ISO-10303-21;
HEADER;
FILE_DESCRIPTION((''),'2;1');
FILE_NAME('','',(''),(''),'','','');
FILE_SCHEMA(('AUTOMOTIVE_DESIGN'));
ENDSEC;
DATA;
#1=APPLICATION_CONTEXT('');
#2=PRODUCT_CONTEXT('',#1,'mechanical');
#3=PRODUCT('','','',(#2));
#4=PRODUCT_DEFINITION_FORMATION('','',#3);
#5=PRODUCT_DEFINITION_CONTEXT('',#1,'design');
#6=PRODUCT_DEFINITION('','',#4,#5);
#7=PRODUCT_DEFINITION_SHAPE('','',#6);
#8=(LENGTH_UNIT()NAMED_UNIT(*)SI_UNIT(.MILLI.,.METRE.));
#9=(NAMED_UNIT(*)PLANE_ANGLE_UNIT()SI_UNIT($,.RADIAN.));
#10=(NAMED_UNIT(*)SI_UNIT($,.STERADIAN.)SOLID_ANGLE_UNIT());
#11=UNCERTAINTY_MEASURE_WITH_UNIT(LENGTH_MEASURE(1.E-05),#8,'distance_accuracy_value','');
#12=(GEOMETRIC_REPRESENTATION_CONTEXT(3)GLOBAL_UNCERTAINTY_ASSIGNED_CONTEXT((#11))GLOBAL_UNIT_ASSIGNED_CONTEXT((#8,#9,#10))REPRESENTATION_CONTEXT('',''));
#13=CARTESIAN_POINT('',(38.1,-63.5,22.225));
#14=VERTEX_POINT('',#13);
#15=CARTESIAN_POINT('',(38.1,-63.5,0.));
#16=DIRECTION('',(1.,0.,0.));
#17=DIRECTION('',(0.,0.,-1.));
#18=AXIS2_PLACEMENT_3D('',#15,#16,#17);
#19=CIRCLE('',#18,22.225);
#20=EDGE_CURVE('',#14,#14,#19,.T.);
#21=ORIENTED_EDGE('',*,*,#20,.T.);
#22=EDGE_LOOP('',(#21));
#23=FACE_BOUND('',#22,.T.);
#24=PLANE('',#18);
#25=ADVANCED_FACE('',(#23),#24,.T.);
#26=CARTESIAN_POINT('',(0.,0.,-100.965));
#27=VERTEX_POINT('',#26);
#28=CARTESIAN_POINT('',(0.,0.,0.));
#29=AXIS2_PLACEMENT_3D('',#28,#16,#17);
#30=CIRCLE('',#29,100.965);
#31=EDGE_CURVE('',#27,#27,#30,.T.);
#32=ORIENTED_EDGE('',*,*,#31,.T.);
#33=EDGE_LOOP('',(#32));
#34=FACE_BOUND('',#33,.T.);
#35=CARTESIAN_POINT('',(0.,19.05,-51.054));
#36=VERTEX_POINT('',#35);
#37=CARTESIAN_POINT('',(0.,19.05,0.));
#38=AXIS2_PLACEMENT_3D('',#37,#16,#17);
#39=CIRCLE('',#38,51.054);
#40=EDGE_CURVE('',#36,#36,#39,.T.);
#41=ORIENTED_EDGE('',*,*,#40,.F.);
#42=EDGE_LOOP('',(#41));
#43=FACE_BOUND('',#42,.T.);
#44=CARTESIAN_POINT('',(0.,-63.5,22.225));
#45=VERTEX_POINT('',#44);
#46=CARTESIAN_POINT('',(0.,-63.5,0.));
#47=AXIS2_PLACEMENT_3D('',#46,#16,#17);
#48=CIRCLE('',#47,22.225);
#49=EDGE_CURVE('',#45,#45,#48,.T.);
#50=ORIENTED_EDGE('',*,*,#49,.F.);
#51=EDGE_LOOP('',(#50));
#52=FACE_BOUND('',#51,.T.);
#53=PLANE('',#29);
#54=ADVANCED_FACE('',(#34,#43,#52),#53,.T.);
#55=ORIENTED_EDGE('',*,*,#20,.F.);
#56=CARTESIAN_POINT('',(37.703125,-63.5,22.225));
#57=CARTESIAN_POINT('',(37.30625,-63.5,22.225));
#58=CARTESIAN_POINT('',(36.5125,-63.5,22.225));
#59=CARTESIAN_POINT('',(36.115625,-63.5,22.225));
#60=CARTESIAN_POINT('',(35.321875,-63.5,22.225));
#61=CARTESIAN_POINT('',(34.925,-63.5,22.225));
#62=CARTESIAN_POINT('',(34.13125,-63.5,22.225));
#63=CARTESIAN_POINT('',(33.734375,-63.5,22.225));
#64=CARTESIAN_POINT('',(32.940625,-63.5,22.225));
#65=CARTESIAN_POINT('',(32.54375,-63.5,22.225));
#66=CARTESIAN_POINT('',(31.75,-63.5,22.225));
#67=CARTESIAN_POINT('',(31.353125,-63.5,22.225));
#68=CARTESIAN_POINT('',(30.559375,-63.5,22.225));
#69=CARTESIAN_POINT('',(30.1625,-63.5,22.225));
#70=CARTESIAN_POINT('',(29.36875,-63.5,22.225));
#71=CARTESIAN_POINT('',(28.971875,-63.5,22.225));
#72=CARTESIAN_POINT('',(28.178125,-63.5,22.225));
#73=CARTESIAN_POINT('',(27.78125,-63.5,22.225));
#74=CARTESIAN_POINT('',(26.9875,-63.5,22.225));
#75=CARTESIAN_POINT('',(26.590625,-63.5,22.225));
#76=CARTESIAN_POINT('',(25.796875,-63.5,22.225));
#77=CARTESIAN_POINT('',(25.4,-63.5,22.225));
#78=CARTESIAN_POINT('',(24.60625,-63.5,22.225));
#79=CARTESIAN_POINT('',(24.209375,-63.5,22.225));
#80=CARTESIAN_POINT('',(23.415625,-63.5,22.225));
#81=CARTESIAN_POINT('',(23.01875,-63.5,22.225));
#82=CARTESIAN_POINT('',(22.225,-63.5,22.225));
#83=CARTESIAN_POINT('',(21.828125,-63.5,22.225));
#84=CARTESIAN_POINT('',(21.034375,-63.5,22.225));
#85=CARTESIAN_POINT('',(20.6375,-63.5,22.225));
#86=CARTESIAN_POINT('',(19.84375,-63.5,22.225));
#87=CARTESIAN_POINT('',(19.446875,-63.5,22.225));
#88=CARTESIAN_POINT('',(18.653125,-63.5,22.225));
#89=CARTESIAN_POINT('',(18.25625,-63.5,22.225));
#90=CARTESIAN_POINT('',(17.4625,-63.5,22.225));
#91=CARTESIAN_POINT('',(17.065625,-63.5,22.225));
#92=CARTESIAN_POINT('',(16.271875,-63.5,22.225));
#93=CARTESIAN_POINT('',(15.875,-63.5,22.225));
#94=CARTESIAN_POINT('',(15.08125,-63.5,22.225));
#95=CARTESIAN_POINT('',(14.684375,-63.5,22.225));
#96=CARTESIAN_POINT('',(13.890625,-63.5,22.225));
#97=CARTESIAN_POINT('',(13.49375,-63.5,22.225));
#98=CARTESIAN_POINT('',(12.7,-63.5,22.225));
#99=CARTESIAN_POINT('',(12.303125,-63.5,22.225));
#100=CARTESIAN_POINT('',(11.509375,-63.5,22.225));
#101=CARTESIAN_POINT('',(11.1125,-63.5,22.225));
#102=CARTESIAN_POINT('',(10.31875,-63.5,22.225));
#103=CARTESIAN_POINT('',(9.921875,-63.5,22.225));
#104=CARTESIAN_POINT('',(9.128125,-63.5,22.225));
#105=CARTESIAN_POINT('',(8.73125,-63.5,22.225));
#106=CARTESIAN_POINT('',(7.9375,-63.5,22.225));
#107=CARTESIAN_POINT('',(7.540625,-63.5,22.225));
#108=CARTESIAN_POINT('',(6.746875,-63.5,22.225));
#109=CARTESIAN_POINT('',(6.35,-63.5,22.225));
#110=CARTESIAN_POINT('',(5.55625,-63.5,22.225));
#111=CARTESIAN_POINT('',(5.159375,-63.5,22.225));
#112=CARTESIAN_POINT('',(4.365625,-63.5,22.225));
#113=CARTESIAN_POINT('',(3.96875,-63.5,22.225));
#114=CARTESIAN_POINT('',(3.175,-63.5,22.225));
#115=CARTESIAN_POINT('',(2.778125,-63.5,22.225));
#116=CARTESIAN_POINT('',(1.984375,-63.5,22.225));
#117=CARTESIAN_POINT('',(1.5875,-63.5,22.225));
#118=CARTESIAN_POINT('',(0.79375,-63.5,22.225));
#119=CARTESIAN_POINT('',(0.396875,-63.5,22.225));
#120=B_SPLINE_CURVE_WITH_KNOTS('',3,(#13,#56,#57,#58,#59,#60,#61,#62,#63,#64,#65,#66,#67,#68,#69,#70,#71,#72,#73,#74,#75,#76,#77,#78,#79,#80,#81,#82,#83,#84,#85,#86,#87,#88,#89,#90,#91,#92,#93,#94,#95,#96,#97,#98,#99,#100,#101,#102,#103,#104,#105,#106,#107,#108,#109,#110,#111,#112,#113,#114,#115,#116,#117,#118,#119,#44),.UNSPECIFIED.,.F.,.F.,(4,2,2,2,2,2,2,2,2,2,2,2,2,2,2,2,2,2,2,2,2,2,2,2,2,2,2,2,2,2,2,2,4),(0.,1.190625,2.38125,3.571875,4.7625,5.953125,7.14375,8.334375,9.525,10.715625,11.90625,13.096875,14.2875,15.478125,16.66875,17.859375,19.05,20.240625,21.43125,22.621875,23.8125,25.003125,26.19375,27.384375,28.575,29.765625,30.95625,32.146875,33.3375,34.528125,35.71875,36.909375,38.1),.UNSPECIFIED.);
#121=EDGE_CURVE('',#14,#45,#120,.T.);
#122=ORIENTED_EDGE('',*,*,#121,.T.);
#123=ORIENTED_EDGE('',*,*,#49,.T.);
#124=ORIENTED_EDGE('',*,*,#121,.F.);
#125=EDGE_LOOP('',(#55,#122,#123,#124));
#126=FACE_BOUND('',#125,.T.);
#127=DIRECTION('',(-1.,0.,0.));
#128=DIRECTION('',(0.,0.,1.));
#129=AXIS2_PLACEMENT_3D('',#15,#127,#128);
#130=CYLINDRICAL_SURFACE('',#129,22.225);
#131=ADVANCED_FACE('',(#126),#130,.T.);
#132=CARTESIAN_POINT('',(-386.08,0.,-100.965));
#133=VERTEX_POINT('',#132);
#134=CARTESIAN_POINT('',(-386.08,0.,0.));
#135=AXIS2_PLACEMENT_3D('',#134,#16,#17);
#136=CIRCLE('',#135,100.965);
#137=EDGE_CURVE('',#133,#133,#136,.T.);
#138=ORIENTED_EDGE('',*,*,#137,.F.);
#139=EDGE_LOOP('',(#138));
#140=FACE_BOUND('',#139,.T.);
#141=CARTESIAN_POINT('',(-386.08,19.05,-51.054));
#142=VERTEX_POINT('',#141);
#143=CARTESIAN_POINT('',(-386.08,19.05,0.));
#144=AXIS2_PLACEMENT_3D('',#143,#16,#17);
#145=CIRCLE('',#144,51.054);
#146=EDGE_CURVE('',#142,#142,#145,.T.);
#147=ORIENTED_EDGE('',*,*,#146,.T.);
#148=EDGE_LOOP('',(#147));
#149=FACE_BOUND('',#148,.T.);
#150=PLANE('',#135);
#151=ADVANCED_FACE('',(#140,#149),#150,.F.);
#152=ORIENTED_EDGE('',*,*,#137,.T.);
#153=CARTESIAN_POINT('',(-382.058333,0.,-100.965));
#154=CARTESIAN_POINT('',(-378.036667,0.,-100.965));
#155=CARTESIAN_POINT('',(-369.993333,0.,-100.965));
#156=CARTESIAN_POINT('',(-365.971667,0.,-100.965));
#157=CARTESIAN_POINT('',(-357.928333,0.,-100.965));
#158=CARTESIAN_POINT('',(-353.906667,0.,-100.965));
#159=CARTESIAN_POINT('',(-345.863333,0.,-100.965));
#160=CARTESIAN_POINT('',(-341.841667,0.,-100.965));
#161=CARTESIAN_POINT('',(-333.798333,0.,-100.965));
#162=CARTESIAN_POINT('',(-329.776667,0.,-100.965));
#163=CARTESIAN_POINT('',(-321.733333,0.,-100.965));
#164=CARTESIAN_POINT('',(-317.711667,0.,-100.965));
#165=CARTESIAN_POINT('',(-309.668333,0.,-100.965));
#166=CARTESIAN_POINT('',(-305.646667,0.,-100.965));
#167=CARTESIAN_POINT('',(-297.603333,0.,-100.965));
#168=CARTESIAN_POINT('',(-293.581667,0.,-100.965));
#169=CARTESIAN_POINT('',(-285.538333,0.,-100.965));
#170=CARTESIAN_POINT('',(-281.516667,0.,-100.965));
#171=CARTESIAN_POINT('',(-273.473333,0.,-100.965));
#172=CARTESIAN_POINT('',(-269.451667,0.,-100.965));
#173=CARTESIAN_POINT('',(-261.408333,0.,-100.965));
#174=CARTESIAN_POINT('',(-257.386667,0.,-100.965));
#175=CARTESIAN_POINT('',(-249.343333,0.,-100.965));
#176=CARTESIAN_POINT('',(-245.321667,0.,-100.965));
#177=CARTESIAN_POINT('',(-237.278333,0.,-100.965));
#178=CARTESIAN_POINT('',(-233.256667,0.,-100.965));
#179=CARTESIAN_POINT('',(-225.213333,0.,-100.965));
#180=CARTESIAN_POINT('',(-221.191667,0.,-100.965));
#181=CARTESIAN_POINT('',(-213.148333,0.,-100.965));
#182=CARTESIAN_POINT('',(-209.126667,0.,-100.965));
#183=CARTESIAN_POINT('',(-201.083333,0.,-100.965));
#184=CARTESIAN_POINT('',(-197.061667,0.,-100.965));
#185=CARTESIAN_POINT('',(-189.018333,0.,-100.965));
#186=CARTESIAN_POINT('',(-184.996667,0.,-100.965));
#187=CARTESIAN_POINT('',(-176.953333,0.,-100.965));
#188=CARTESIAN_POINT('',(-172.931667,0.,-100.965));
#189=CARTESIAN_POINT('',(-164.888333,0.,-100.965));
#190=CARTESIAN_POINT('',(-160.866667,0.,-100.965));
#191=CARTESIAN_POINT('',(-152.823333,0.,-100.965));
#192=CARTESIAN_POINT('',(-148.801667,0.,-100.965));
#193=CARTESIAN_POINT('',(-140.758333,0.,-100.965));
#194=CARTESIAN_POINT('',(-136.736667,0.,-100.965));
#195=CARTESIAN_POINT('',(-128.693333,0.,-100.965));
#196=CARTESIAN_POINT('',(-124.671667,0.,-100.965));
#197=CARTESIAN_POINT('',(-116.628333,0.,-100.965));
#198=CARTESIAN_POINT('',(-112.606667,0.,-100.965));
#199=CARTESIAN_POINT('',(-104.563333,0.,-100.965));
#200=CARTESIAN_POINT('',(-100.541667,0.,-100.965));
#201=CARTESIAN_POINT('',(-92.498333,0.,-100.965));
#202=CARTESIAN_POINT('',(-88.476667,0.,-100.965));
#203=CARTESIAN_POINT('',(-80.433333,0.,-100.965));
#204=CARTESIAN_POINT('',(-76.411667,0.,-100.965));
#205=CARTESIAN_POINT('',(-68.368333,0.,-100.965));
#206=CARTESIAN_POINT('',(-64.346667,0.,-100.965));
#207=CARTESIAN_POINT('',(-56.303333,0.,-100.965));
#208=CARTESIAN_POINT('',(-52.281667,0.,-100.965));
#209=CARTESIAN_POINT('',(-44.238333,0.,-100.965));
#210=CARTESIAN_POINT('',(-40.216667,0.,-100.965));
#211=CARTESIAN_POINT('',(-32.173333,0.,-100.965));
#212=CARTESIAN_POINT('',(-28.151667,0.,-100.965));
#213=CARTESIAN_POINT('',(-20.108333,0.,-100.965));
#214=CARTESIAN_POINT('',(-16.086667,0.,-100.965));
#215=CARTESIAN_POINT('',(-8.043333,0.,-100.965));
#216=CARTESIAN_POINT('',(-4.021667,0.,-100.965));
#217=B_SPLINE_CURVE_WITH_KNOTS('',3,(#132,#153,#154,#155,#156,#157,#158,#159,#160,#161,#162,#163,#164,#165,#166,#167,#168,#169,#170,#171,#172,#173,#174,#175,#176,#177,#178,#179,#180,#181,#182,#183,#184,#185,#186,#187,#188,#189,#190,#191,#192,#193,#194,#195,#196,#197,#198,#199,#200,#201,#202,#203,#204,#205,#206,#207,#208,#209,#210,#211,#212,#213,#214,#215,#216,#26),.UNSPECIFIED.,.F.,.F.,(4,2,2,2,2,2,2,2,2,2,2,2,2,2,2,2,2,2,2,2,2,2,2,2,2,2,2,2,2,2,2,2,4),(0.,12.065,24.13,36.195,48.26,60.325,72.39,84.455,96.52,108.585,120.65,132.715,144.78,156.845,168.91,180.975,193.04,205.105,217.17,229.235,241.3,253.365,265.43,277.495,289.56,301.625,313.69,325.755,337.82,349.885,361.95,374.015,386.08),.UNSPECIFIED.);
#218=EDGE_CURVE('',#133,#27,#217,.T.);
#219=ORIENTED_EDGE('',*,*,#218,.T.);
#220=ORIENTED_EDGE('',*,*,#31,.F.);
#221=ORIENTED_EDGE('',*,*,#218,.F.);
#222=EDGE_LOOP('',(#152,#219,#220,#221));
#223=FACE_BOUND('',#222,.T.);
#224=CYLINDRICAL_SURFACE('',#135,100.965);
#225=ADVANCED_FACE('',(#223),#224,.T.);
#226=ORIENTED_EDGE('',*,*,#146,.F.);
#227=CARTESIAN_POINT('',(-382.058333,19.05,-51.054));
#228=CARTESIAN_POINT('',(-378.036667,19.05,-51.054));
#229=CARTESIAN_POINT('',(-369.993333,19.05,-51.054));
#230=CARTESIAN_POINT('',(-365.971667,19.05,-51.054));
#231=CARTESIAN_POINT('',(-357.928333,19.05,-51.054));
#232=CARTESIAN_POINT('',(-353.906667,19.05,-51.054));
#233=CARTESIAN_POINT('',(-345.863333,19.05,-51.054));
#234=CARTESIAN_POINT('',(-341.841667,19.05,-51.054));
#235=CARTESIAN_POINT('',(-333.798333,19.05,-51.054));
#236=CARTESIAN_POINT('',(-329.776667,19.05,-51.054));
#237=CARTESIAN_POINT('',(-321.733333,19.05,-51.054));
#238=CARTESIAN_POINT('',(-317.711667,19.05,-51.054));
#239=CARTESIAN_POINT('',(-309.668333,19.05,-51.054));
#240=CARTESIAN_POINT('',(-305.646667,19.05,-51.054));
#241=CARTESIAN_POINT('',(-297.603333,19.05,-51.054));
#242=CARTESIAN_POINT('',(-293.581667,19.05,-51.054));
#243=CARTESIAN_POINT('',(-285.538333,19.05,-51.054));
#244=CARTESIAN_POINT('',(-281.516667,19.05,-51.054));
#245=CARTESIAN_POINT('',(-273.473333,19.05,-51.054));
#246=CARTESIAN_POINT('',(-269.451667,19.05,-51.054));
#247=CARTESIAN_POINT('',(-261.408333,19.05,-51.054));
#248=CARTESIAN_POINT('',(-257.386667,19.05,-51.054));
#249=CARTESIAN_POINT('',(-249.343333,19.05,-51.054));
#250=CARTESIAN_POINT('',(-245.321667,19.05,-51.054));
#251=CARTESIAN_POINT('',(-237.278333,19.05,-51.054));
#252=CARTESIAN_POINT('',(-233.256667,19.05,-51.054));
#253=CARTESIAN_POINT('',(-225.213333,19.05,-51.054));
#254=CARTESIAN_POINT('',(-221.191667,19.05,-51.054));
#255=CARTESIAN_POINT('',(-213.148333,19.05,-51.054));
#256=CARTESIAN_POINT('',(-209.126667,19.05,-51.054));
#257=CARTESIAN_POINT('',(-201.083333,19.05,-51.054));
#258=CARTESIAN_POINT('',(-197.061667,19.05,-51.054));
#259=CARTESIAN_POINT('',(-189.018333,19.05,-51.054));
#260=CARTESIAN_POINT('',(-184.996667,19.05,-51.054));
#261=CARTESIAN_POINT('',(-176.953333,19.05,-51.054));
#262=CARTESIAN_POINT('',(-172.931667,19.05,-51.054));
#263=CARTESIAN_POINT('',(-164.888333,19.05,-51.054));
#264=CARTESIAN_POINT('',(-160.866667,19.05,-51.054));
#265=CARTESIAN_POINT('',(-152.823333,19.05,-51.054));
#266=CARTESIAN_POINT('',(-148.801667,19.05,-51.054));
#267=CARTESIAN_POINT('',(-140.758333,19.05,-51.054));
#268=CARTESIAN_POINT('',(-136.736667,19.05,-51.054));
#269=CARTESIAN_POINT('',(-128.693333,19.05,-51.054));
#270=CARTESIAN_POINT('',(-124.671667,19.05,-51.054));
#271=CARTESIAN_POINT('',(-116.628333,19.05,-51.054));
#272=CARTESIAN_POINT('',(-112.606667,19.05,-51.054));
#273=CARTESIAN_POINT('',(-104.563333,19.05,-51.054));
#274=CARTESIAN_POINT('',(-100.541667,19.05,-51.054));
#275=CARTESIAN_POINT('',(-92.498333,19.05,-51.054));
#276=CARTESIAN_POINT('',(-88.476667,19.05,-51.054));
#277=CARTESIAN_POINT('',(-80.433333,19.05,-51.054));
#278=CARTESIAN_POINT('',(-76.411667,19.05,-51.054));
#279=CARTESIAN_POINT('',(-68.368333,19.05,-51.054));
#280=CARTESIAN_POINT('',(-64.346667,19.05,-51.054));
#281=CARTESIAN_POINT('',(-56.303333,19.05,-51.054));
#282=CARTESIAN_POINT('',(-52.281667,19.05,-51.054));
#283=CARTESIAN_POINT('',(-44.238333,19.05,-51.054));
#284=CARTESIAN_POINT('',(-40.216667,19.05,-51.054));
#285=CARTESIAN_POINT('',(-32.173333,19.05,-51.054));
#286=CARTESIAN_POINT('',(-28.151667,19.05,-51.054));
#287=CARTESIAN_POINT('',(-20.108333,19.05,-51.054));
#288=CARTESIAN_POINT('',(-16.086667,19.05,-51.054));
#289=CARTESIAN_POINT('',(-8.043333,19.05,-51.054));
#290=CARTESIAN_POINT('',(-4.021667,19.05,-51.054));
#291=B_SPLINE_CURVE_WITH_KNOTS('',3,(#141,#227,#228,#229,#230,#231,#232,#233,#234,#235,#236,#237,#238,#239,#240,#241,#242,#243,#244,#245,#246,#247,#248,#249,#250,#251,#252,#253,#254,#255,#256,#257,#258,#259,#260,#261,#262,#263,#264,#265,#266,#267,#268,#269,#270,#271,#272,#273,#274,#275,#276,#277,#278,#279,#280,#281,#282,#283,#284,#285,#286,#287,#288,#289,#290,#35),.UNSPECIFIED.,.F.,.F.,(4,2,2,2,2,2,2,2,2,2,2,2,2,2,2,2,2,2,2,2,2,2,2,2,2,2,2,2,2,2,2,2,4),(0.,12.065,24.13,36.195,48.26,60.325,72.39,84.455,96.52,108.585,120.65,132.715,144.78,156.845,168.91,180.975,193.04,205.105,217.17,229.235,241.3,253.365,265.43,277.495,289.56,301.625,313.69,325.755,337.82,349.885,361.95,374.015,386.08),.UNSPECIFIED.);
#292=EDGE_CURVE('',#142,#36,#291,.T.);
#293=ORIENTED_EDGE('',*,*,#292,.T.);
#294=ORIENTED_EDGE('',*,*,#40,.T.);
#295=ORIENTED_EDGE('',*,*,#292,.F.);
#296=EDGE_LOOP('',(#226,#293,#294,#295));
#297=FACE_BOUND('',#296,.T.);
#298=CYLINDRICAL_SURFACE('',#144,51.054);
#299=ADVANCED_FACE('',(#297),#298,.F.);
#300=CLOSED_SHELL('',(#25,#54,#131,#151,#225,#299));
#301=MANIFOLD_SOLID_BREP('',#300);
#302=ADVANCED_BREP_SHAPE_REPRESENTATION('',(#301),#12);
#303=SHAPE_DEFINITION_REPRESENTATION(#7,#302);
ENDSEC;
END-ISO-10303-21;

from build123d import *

# Parameters (mm, degrees)
SKETCH1_R           = 100.965
BOSS_EXTRUDE1_DEPTH = 386.08
SKETCH2_R           = 51.054
CUT_EXTRUDE1_DEPTH  = 412.637739827
SKETCH3_R           = 22.225
BOSS_EXTRUDE2_DEPTH = 38.1


with BuildPart() as part:
    # Sketch1 → Boss-Extrude1 (new body)
    with BuildSketch(Plane(origin=(0, 0, 0), x_dir=(0, 0, -1), z_dir=(1, 0, 0))):
        Circle(SKETCH1_R)
    extrude(amount=-BOSS_EXTRUDE1_DEPTH)

    # Sketch2 → Cut-Extrude1 (cut, through all)
    with BuildSketch(Plane(origin=(0, 0, 0), x_dir=(0, 0, -1), z_dir=(1, 0, 0))):
        with Locations((0, 19.05)):
            Circle(SKETCH2_R)
    extrude(amount=-CUT_EXTRUDE1_DEPTH, mode=Mode.SUBTRACT)

    # Sketch3 → Boss-Extrude2 (add)
    with BuildSketch(Plane(origin=(0, 0, 0), x_dir=(0, 0, -1), z_dir=(1, 0, 0))):
        with Locations(Location((0, -63.5, 0), (0, 0, 180))):
            Circle(SKETCH3_R)
    extrude(amount=BOSS_EXTRUDE2_DEPTH)


solid = part.part
